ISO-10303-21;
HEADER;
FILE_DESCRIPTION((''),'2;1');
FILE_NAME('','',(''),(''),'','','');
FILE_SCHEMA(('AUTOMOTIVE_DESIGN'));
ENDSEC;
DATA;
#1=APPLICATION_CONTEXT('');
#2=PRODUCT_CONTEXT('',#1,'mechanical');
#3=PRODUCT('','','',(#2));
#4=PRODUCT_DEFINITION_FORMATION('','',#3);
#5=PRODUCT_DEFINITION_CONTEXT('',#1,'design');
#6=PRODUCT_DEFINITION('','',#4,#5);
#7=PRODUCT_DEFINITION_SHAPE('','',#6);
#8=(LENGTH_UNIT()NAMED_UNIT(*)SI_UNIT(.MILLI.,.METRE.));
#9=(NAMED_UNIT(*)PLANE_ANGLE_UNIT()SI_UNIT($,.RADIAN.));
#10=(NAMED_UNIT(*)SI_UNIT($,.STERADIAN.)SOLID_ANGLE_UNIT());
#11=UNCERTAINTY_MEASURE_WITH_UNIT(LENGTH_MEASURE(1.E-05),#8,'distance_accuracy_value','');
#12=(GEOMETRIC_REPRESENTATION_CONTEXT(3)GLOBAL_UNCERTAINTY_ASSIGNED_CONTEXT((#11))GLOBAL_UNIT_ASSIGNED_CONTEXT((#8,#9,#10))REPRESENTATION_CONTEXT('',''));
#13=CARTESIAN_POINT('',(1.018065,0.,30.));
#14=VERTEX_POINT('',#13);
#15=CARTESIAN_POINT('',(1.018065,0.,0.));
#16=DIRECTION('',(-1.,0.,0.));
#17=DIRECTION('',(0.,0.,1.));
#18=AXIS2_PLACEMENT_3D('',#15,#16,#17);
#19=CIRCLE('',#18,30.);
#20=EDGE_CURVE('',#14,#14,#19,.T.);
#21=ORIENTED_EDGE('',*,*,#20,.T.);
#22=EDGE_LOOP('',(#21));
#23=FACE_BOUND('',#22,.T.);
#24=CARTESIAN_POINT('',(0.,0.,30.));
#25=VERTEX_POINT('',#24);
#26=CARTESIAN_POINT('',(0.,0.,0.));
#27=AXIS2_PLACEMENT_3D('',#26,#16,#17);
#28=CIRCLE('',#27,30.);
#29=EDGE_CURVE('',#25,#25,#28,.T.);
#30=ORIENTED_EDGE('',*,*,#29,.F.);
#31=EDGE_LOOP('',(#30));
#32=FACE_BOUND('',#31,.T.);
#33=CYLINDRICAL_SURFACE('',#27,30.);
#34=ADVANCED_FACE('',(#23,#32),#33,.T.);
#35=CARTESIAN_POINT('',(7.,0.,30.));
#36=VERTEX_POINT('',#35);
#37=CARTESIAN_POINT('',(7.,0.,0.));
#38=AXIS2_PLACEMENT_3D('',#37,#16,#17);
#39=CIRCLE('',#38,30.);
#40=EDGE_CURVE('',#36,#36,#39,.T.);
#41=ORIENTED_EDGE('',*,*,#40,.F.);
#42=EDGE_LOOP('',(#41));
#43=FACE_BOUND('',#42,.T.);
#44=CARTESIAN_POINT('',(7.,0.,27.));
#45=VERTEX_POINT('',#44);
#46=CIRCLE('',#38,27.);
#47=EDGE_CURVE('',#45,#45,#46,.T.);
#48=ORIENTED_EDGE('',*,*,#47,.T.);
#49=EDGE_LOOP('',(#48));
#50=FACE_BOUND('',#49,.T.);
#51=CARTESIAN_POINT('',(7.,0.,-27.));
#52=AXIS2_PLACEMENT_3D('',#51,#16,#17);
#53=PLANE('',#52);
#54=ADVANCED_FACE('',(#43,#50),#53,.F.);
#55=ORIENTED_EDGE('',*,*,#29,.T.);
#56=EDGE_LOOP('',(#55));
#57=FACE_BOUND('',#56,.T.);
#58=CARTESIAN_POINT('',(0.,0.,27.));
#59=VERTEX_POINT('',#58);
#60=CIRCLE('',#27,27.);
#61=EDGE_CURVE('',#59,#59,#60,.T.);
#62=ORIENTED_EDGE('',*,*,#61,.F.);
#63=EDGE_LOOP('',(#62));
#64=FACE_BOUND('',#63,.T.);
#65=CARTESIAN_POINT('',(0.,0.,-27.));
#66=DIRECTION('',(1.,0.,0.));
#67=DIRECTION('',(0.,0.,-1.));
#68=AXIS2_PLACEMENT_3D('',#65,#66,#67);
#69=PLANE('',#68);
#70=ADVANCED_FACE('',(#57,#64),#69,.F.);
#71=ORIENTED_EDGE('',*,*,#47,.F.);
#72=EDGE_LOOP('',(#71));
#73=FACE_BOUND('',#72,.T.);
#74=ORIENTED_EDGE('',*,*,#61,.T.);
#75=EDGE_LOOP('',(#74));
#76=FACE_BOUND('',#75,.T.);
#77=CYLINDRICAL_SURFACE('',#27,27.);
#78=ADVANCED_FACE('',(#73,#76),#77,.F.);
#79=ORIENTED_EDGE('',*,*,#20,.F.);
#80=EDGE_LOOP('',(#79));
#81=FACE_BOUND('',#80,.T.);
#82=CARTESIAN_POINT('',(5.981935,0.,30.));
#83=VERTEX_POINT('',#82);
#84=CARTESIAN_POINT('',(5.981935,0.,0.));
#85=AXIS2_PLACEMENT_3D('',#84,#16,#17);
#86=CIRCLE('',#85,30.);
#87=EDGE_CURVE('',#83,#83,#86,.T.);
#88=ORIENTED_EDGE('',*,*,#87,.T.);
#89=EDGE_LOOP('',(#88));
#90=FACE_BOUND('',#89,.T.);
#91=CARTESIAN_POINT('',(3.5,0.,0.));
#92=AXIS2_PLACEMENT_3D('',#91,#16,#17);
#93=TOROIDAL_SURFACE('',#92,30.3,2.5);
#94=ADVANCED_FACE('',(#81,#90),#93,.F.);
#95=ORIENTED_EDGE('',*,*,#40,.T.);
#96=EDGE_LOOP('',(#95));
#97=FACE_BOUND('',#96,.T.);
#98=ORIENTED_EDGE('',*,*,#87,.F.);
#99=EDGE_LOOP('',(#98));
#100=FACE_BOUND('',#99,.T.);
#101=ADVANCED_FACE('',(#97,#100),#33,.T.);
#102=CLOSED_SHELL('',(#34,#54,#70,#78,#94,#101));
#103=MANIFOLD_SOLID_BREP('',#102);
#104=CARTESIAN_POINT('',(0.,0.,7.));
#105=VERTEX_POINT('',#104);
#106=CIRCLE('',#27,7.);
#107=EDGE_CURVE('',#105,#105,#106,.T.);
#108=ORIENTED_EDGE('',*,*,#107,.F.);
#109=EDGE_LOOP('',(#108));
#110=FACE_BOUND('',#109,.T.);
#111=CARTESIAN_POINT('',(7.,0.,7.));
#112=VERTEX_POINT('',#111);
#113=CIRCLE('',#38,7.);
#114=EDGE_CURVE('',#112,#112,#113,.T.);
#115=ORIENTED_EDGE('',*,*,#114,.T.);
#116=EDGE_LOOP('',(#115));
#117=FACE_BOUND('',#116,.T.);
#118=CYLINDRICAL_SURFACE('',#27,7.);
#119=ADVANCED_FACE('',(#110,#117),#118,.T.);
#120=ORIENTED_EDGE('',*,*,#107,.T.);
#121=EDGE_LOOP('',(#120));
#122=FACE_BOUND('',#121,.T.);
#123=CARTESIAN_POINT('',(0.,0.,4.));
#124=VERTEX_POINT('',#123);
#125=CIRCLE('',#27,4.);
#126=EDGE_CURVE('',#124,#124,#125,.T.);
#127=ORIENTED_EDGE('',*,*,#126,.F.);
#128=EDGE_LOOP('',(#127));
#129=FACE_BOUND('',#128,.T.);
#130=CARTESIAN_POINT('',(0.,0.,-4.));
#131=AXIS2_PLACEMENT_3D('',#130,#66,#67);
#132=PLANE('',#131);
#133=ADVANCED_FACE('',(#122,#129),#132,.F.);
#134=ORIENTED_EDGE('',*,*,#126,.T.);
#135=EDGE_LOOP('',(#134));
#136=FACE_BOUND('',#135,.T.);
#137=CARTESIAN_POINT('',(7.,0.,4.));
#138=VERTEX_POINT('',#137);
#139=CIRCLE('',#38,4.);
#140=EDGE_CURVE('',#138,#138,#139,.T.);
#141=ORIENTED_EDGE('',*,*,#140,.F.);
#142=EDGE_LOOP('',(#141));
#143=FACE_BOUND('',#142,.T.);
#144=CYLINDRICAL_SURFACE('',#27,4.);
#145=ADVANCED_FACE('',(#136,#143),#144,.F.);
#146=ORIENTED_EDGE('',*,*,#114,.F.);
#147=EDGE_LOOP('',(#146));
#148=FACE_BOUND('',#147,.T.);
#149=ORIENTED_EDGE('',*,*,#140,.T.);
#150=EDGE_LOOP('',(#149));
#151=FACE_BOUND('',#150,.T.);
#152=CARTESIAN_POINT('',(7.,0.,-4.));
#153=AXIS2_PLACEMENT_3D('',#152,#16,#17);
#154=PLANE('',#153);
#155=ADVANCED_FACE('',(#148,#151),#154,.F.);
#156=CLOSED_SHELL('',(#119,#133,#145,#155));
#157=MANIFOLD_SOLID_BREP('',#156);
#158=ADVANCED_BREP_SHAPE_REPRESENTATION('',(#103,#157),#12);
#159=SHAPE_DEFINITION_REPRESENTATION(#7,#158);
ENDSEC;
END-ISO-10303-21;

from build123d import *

# Parameters (mm, degrees)
SKETCH1_W = 7
SKETCH1_H = 3


with BuildPart() as part:
    # Sketch1 → Revolve1 (revolve)
    with BuildSketch(Plane(origin=(0, 0, 0), x_dir=(1, 0, 0), z_dir=(0, 1, 0))):
        with Locations((3.5, 5.5)):
            Rectangle(SKETCH1_W, SKETCH1_H)
        with BuildLine():
            Line((0, 30), (1.018065271, 30))
            ThreePointArc((1.018065271, 30), (3.5, 27.8), (5.981934729, 30))
            Line((5.981934729, 30), (7, 30))
            Line((7, 30), (7, 27))
            Line((7, 27), (0, 27))
            Line((0, 27), (0, 30))
        make_face()
    revolve(axis=Axis((0, 0, 0), (1, 0, 0)))


solid = part.part
